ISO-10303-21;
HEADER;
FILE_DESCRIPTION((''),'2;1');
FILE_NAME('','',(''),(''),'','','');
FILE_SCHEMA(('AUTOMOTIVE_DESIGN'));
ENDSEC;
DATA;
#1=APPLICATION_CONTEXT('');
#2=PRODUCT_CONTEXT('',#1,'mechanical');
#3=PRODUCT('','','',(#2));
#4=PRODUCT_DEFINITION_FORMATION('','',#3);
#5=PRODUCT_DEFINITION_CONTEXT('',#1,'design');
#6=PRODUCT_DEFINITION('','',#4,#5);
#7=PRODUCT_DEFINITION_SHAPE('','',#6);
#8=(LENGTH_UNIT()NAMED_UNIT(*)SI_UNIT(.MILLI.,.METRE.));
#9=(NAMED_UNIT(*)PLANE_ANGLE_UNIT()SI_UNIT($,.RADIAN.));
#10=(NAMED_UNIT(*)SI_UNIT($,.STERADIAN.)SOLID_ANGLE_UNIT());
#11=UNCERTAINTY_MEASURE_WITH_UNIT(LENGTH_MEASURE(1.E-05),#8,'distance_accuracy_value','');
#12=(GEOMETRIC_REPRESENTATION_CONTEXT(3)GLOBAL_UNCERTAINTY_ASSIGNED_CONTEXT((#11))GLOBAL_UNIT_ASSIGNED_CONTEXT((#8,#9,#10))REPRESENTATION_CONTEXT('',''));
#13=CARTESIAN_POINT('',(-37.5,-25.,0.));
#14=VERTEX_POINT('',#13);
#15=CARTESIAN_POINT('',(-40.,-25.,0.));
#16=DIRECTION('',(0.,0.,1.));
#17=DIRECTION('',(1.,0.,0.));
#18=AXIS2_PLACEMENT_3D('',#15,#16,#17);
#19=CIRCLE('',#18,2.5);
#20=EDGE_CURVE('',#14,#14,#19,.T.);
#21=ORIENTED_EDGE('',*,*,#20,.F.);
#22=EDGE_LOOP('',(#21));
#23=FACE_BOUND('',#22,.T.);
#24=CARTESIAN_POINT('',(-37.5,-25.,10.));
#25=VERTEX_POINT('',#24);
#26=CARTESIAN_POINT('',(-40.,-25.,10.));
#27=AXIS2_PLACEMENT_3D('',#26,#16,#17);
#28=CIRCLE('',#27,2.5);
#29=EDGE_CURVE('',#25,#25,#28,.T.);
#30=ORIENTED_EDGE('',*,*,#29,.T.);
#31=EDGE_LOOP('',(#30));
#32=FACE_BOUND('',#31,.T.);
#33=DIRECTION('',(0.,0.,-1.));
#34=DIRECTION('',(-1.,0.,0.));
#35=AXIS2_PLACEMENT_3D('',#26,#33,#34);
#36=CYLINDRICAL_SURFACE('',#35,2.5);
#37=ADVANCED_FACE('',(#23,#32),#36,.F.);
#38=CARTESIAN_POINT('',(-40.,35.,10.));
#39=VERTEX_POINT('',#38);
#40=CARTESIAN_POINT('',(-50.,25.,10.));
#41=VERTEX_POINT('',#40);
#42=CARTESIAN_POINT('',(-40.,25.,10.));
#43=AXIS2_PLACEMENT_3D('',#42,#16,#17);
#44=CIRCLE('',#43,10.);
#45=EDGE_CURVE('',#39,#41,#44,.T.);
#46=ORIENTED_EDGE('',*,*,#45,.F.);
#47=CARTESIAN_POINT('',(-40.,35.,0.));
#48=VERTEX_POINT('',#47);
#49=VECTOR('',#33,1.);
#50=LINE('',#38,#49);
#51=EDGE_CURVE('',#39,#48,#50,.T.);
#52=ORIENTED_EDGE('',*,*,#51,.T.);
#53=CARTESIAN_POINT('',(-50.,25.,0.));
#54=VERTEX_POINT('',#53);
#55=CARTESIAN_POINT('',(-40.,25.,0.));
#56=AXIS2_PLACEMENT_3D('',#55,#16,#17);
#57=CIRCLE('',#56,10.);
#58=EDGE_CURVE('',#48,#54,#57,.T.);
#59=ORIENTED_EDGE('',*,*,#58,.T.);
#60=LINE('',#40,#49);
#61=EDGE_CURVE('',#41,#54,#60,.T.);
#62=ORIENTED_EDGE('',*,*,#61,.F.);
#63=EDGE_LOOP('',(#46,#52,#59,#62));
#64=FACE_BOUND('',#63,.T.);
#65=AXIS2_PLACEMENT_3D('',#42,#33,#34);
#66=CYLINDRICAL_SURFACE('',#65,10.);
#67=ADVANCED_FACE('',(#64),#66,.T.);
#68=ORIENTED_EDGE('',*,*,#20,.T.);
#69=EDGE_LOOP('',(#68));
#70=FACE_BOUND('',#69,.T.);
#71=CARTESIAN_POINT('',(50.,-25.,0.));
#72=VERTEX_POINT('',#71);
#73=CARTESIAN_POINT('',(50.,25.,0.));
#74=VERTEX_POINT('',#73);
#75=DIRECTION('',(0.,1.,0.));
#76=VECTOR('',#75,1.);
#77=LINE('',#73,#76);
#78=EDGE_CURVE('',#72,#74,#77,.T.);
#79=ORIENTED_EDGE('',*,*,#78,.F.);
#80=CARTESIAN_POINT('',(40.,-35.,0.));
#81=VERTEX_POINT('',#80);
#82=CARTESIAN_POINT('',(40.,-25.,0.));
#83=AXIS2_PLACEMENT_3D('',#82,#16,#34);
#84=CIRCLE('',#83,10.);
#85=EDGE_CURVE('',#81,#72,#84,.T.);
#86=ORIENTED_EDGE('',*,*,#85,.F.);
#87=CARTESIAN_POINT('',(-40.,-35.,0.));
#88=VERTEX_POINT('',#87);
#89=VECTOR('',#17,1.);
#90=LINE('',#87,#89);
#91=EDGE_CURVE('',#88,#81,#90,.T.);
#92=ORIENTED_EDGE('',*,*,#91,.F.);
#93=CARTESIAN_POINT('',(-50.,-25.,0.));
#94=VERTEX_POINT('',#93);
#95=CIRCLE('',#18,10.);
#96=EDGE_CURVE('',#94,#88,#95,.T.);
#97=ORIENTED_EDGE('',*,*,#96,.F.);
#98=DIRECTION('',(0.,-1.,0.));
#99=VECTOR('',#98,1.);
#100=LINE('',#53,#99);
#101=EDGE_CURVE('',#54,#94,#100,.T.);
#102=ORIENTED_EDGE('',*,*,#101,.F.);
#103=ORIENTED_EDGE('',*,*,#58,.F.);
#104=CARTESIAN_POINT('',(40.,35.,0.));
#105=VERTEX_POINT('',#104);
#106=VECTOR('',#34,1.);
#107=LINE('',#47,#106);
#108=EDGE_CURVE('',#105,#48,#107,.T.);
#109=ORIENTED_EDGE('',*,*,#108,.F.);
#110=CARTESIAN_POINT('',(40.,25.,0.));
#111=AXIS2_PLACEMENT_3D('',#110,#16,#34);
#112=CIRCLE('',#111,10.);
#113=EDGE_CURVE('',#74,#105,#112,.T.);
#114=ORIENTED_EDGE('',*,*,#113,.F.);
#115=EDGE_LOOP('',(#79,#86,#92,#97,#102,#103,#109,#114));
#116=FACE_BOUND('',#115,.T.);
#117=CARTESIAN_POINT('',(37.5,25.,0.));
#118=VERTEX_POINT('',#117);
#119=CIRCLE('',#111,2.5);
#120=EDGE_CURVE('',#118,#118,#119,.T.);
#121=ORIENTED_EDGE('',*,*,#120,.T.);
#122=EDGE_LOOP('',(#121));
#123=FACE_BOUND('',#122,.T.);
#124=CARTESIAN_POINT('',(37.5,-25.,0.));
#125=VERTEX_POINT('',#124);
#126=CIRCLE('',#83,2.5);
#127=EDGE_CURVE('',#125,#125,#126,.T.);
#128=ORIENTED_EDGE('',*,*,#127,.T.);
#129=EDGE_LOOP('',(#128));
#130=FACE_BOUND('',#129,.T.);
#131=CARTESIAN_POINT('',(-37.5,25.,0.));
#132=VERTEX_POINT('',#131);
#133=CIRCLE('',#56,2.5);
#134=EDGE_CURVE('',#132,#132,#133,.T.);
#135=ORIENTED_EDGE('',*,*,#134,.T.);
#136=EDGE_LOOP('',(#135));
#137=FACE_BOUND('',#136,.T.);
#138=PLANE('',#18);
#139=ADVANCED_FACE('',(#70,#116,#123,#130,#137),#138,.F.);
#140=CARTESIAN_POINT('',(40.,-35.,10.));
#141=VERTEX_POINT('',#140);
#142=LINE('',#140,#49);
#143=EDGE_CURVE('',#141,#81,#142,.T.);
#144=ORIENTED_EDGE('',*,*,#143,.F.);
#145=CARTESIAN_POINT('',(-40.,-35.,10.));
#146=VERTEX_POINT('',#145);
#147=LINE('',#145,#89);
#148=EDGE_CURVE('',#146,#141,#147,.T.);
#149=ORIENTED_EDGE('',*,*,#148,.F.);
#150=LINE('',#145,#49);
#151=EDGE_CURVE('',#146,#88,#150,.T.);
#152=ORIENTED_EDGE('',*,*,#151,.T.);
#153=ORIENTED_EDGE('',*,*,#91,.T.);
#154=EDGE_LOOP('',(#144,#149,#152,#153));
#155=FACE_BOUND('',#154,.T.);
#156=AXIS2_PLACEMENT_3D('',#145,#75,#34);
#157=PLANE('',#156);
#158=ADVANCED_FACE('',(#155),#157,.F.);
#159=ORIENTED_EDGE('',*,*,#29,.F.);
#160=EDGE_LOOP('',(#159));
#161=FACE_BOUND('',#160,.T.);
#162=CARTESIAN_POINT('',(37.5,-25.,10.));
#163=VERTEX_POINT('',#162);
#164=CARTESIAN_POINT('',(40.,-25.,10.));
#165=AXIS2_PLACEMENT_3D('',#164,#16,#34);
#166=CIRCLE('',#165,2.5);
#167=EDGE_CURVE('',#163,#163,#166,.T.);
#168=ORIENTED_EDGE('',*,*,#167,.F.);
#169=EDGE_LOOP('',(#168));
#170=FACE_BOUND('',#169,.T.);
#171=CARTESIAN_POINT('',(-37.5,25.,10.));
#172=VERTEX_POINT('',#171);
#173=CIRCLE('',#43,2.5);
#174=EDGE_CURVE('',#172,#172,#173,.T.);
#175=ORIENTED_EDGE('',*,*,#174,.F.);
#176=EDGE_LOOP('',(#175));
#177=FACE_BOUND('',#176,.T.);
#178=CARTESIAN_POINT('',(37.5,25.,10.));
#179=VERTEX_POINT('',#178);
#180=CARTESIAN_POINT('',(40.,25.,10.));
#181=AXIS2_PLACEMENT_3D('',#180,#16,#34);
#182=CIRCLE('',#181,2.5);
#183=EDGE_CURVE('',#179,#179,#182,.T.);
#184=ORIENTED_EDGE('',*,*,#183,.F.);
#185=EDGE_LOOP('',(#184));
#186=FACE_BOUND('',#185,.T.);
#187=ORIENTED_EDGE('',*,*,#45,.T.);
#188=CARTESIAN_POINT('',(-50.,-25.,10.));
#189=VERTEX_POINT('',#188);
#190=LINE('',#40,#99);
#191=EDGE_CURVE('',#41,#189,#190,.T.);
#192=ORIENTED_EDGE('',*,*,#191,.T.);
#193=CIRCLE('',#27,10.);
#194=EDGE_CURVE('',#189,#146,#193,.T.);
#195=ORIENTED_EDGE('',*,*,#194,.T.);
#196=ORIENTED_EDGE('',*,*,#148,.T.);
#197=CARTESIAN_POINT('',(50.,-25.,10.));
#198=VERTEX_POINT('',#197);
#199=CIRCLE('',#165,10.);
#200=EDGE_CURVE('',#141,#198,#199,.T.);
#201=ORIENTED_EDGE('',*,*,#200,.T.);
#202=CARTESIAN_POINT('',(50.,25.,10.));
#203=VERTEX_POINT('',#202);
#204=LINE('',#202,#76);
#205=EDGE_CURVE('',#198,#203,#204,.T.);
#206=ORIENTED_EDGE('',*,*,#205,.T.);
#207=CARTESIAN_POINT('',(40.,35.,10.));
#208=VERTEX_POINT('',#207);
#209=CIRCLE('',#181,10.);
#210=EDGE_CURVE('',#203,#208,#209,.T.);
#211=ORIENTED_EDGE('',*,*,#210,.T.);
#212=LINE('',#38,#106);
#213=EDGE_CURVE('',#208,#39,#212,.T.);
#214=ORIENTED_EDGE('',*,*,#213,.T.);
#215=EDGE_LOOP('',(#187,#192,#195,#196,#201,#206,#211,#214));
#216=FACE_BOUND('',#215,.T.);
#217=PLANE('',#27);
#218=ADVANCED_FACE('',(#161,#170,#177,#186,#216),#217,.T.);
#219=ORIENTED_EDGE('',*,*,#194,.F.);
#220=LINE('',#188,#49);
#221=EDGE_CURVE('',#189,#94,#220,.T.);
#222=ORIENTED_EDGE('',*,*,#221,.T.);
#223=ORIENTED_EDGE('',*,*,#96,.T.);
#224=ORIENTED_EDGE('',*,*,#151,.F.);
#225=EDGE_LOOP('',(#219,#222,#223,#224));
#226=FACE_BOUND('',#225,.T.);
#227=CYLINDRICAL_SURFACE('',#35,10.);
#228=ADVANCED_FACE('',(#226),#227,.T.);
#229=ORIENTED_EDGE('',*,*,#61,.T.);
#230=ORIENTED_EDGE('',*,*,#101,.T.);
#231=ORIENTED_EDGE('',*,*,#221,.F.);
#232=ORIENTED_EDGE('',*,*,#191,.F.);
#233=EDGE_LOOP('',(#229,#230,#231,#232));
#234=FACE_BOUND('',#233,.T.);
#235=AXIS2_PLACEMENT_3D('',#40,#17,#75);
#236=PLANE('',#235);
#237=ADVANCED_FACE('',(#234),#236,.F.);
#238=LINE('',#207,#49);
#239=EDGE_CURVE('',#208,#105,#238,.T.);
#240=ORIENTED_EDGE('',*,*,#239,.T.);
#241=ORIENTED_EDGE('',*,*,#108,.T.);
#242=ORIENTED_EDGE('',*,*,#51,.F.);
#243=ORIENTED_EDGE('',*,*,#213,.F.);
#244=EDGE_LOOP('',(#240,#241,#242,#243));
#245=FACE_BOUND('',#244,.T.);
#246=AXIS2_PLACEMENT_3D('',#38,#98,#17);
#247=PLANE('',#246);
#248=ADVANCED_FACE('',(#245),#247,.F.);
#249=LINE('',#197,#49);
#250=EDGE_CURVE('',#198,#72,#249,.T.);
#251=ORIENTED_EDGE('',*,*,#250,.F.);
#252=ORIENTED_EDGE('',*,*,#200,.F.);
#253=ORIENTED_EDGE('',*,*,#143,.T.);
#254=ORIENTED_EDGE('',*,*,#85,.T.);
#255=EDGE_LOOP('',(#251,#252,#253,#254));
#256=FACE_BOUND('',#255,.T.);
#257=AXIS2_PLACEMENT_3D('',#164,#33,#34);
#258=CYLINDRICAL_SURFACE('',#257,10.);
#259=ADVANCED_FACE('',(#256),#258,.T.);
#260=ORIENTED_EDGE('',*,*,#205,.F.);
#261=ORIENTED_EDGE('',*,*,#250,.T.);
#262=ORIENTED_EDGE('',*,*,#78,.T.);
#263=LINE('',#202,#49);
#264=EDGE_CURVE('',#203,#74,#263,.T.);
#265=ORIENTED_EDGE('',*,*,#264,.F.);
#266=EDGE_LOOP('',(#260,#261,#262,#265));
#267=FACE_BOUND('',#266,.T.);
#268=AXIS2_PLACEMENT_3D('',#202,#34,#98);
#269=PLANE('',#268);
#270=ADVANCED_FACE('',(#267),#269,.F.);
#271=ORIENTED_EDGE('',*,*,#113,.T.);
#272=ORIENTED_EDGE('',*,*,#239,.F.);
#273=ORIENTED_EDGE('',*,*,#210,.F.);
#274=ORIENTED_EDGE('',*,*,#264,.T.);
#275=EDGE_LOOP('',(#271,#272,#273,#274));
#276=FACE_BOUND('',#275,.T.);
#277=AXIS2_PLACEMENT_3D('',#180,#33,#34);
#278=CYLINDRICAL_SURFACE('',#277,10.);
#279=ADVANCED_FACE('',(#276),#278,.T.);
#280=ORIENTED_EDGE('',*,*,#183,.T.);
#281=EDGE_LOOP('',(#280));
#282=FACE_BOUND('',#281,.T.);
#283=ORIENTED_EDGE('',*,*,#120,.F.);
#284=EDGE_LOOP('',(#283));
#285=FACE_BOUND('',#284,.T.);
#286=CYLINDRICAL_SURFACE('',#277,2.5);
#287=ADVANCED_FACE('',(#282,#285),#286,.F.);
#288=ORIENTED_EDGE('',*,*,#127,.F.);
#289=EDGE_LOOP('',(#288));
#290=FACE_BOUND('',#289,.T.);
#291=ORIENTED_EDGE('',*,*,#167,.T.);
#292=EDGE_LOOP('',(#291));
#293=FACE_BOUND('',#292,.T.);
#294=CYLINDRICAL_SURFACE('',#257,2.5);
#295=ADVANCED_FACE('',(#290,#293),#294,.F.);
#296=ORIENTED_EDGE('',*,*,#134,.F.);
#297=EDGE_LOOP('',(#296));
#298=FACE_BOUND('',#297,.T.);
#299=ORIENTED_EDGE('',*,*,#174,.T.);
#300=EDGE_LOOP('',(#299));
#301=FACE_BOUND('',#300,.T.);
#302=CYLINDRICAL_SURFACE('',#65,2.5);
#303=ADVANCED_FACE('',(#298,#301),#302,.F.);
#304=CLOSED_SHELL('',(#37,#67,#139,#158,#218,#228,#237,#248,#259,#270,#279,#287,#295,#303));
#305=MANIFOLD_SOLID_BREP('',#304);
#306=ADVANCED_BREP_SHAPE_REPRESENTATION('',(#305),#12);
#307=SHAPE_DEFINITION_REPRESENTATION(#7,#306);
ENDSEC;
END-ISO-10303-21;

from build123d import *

# Parameters (mm, degrees)
SKETCH1_R           = 2.5
BOSS_EXTRUDE1_DEPTH = 10


with BuildPart() as part:
    # Sketch1 → Boss-Extrude1 (new body)
    with BuildSketch(Plane.XY):
        with BuildLine():
            Line((-40, 35), (40, 35))
            ThreePointArc((40, 35), (47.071067812, 32.071067812), (50, 25))
            Line((50, 25), (50, -25))
            ThreePointArc((50, -25), (47.071067812, -32.071067812), (40, -35))
            Line((40, -35), (-40, -35))
            ThreePointArc((-40, -35), (-47.071067812, -32.071067812), (-50, -25))
            Line((-50, -25), (-50, 25))
            ThreePointArc((-50, 25), (-47.071067812, 32.071067812), (-40, 35))
        make_face()
        with Locations((-40, 25)):
            Circle(SKETCH1_R, mode=Mode.SUBTRACT)
        with Locations((-40, -25)):
            Circle(SKETCH1_R, mode=Mode.SUBTRACT)
        with Locations(Location((40, -25, 0), (0, 0, 180))):
            Circle(SKETCH1_R, mode=Mode.SUBTRACT)
        with Locations(Location((40, 25, 0), (0, 0, 180))):
            Circle(SKETCH1_R, mode=Mode.SUBTRACT)
    extrude(amount=BOSS_EXTRUDE1_DEPTH)


solid = part.part
